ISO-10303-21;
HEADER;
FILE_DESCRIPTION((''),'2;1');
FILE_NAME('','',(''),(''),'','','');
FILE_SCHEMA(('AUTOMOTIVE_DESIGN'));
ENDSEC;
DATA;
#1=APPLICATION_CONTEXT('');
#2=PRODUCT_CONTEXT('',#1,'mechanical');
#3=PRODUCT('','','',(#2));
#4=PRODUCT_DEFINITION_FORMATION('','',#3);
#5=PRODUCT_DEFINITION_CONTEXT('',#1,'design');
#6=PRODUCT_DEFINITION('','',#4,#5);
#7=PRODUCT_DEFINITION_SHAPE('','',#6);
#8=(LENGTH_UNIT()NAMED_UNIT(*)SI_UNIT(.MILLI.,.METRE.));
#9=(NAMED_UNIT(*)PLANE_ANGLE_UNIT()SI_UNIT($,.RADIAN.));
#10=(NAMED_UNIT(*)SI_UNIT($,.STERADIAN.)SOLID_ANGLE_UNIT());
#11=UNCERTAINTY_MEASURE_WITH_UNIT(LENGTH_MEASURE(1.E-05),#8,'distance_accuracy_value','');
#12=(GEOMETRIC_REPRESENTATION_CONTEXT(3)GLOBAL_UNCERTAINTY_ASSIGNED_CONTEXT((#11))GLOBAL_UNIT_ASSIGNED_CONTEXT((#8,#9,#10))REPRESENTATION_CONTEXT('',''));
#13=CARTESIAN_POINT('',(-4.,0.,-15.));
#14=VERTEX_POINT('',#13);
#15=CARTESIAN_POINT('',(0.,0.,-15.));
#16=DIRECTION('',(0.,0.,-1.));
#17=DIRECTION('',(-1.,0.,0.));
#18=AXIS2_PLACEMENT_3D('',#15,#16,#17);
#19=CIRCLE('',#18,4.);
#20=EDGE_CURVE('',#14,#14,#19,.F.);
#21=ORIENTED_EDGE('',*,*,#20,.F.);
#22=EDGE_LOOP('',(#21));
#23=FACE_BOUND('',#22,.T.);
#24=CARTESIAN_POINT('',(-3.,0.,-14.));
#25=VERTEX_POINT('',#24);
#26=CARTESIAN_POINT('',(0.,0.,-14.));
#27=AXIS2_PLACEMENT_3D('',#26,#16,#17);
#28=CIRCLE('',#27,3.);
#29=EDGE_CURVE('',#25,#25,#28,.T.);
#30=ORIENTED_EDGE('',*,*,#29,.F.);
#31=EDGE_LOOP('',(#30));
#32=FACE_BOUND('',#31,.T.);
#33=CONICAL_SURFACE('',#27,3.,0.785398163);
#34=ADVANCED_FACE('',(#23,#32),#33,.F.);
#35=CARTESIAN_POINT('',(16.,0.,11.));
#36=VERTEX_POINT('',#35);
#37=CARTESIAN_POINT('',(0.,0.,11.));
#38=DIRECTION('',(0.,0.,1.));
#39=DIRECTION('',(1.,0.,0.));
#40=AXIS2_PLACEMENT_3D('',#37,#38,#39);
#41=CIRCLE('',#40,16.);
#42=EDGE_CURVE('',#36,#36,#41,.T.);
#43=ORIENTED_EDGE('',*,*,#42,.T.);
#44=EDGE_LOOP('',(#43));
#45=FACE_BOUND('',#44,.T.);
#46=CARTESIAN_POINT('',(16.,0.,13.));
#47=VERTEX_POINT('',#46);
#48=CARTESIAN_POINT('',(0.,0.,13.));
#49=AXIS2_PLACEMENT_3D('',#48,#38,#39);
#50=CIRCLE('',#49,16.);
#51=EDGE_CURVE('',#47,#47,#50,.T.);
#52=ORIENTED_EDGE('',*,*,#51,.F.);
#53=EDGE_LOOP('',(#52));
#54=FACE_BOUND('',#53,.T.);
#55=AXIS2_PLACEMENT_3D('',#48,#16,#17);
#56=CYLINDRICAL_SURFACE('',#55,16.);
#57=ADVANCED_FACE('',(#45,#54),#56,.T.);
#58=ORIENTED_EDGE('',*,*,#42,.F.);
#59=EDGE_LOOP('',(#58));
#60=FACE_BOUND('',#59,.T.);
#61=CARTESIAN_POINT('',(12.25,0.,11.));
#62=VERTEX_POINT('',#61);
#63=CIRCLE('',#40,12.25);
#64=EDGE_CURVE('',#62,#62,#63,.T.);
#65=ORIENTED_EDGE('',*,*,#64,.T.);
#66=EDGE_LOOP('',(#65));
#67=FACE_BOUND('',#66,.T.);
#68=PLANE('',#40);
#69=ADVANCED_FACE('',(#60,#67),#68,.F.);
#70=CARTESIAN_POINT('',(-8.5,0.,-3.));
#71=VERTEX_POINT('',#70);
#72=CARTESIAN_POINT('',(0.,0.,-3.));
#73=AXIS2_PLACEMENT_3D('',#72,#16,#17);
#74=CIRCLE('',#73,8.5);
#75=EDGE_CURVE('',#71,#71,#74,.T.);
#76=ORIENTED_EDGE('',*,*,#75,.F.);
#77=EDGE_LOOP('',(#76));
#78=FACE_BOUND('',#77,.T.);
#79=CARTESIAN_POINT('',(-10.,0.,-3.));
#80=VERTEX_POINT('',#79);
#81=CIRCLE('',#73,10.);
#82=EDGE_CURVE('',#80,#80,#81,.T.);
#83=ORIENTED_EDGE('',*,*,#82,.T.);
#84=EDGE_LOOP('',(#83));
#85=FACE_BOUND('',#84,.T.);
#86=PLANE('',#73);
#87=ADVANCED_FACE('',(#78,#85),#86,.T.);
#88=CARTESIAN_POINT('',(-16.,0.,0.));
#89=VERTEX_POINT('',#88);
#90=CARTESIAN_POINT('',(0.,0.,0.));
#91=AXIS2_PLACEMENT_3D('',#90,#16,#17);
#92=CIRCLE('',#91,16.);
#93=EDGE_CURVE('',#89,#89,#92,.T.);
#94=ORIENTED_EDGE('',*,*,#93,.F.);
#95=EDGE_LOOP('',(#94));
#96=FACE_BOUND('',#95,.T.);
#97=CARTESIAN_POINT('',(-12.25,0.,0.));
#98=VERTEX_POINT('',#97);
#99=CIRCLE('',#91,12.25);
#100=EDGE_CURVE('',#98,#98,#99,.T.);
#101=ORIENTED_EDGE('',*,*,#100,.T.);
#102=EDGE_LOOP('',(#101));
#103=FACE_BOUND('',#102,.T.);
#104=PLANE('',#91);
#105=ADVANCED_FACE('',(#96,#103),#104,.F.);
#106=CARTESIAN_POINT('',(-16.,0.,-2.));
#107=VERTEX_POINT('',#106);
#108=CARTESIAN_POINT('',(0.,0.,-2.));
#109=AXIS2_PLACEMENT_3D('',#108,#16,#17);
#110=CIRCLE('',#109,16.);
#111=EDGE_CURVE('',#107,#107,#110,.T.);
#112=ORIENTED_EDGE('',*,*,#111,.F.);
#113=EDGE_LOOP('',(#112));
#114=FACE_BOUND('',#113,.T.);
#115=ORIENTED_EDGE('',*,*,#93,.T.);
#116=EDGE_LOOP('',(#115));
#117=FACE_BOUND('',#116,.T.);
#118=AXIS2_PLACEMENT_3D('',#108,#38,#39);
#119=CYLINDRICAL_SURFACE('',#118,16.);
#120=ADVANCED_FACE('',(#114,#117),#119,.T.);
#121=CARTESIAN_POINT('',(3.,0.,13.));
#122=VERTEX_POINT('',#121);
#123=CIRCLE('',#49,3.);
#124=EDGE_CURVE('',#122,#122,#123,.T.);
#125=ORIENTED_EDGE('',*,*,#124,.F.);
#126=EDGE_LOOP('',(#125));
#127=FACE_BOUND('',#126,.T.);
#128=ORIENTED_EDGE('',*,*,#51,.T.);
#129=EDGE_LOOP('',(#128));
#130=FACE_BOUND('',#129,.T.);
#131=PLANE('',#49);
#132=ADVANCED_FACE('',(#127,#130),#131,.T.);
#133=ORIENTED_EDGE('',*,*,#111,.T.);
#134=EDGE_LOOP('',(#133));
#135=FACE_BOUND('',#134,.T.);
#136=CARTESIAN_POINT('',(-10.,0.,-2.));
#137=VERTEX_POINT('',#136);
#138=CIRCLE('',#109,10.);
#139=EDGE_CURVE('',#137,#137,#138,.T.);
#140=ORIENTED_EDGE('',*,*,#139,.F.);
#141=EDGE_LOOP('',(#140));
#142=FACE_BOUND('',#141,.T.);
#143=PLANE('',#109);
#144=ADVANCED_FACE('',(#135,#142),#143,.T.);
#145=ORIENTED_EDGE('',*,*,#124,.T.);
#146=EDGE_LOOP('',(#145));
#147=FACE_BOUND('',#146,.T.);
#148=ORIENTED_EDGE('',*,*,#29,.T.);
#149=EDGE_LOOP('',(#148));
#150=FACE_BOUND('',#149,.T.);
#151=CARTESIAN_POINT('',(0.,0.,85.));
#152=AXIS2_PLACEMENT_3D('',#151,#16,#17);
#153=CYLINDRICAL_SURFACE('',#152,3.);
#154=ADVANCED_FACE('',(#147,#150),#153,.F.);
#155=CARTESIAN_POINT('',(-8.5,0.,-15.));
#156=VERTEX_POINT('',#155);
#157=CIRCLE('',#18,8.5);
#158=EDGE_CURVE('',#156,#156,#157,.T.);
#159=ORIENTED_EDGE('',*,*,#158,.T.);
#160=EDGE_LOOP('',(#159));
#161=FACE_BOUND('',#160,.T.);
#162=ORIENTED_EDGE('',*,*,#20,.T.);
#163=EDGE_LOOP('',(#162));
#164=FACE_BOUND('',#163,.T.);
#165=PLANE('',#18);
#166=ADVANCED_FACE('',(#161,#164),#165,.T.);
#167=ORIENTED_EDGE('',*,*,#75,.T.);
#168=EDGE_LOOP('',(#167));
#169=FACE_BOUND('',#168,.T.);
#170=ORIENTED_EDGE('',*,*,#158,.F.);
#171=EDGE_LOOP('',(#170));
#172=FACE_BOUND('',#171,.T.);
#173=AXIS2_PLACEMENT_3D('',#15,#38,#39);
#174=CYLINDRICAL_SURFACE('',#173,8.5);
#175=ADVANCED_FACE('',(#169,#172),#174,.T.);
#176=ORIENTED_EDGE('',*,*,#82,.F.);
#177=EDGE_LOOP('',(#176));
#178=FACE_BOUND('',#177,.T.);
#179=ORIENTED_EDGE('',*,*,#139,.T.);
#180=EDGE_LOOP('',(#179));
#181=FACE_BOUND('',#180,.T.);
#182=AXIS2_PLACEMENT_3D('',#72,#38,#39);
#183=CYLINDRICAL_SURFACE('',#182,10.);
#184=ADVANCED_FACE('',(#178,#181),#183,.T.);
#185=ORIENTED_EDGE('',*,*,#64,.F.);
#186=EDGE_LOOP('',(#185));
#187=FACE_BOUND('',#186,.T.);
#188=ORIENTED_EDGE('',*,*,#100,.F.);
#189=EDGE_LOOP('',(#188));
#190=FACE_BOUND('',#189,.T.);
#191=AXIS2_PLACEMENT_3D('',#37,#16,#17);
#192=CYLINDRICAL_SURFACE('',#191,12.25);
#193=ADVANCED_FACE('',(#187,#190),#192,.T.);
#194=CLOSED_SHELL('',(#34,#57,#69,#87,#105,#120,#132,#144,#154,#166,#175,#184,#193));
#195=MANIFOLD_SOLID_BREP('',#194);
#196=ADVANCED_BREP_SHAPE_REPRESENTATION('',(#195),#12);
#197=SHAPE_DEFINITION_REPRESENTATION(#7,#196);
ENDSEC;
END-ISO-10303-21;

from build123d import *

# Parameters (mm, degrees)
SKETCH1_R           = 12.25
BOSS_EXTRUDE1_DEPTH = 11
SKETCH2_R           = 16
BOSS_EXTRUDE2_DEPTH = 2
SKETCH4_R           = 10
BOSS_EXTRUDE4_DEPTH = 1
SKETCH5_R           = 8.5
BOSS_EXTRUDE5_DEPTH = 12
SKETCH6_R           = 3
CUT_EXTRUDE1_DEPTH  = 100
CHAMFER1_SIZE       = 1
BOSS_EXTRUDE6_START = 2
SKETCH3_R           = 16
BOSS_EXTRUDE6_DEPTH = 2
CUT_EXTRUDE2_START  = -10
SKETCH7_R           = 3
CUT_EXTRUDE2_DEPTH  = 10


with BuildPart() as part:
    # Sketch1 → Boss-Extrude1 (new body)
    with BuildSketch(Plane.XY):
        Circle(SKETCH1_R)
    extrude(amount=BOSS_EXTRUDE1_DEPTH)

    # Sketch2 → Boss-Extrude2 (add)
    with BuildSketch(Plane(origin=(0, 0, 0), x_dir=(-1, 0, 0), z_dir=(0, 0, -1))):
        Circle(SKETCH2_R)
    extrude(amount=BOSS_EXTRUDE2_DEPTH)

    # Sketch4 → Boss-Extrude4 (add)
    with BuildSketch(Plane(origin=(0, 0, -2), x_dir=(-1, 0, 0), z_dir=(0, 0, -1))):
        Circle(SKETCH4_R)
    extrude(amount=BOSS_EXTRUDE4_DEPTH)

    # Sketch5 → Boss-Extrude5 (add)
    with BuildSketch(Plane(origin=(0, 0, -3), x_dir=(-1, 0, 0), z_dir=(0, 0, -1))):
        Circle(SKETCH5_R)
    extrude(amount=BOSS_EXTRUDE5_DEPTH)

    # Sketch6 → Cut-Extrude1 (cut)
    with BuildSketch(Plane(origin=(0, 0, -15), x_dir=(-1, 0, 0), z_dir=(0, 0, -1))):
        Circle(SKETCH6_R)
    extrude(amount=-CUT_EXTRUDE1_DEPTH, mode=Mode.SUBTRACT)

    # Chamfer1
    chamfer1_edges = [part.edges().sort_by_distance(p)[0] for p in [
        (3, 0, -15),
    ]]
    chamfer(chamfer1_edges, length=CHAMFER1_SIZE)

    # Sketch3 → Boss-Extrude6 (add)
    with BuildSketch(Plane.XY.offset(11).offset(BOSS_EXTRUDE6_START)):
        with Locations(Location((0, 0, 0), (0, 0, 180))):
            Circle(SKETCH3_R)
    extrude(amount=-BOSS_EXTRUDE6_DEPTH)

    # Sketch7 → Cut-Extrude2 (cut)
    with BuildSketch(Plane.XY.offset(13).offset(CUT_EXTRUDE2_START)):
        with Locations(Location((0, 0, 0), (0, 0, 180))):
            Circle(SKETCH7_R)
    extrude(amount=CUT_EXTRUDE2_DEPTH, mode=Mode.SUBTRACT)


solid = part.part
